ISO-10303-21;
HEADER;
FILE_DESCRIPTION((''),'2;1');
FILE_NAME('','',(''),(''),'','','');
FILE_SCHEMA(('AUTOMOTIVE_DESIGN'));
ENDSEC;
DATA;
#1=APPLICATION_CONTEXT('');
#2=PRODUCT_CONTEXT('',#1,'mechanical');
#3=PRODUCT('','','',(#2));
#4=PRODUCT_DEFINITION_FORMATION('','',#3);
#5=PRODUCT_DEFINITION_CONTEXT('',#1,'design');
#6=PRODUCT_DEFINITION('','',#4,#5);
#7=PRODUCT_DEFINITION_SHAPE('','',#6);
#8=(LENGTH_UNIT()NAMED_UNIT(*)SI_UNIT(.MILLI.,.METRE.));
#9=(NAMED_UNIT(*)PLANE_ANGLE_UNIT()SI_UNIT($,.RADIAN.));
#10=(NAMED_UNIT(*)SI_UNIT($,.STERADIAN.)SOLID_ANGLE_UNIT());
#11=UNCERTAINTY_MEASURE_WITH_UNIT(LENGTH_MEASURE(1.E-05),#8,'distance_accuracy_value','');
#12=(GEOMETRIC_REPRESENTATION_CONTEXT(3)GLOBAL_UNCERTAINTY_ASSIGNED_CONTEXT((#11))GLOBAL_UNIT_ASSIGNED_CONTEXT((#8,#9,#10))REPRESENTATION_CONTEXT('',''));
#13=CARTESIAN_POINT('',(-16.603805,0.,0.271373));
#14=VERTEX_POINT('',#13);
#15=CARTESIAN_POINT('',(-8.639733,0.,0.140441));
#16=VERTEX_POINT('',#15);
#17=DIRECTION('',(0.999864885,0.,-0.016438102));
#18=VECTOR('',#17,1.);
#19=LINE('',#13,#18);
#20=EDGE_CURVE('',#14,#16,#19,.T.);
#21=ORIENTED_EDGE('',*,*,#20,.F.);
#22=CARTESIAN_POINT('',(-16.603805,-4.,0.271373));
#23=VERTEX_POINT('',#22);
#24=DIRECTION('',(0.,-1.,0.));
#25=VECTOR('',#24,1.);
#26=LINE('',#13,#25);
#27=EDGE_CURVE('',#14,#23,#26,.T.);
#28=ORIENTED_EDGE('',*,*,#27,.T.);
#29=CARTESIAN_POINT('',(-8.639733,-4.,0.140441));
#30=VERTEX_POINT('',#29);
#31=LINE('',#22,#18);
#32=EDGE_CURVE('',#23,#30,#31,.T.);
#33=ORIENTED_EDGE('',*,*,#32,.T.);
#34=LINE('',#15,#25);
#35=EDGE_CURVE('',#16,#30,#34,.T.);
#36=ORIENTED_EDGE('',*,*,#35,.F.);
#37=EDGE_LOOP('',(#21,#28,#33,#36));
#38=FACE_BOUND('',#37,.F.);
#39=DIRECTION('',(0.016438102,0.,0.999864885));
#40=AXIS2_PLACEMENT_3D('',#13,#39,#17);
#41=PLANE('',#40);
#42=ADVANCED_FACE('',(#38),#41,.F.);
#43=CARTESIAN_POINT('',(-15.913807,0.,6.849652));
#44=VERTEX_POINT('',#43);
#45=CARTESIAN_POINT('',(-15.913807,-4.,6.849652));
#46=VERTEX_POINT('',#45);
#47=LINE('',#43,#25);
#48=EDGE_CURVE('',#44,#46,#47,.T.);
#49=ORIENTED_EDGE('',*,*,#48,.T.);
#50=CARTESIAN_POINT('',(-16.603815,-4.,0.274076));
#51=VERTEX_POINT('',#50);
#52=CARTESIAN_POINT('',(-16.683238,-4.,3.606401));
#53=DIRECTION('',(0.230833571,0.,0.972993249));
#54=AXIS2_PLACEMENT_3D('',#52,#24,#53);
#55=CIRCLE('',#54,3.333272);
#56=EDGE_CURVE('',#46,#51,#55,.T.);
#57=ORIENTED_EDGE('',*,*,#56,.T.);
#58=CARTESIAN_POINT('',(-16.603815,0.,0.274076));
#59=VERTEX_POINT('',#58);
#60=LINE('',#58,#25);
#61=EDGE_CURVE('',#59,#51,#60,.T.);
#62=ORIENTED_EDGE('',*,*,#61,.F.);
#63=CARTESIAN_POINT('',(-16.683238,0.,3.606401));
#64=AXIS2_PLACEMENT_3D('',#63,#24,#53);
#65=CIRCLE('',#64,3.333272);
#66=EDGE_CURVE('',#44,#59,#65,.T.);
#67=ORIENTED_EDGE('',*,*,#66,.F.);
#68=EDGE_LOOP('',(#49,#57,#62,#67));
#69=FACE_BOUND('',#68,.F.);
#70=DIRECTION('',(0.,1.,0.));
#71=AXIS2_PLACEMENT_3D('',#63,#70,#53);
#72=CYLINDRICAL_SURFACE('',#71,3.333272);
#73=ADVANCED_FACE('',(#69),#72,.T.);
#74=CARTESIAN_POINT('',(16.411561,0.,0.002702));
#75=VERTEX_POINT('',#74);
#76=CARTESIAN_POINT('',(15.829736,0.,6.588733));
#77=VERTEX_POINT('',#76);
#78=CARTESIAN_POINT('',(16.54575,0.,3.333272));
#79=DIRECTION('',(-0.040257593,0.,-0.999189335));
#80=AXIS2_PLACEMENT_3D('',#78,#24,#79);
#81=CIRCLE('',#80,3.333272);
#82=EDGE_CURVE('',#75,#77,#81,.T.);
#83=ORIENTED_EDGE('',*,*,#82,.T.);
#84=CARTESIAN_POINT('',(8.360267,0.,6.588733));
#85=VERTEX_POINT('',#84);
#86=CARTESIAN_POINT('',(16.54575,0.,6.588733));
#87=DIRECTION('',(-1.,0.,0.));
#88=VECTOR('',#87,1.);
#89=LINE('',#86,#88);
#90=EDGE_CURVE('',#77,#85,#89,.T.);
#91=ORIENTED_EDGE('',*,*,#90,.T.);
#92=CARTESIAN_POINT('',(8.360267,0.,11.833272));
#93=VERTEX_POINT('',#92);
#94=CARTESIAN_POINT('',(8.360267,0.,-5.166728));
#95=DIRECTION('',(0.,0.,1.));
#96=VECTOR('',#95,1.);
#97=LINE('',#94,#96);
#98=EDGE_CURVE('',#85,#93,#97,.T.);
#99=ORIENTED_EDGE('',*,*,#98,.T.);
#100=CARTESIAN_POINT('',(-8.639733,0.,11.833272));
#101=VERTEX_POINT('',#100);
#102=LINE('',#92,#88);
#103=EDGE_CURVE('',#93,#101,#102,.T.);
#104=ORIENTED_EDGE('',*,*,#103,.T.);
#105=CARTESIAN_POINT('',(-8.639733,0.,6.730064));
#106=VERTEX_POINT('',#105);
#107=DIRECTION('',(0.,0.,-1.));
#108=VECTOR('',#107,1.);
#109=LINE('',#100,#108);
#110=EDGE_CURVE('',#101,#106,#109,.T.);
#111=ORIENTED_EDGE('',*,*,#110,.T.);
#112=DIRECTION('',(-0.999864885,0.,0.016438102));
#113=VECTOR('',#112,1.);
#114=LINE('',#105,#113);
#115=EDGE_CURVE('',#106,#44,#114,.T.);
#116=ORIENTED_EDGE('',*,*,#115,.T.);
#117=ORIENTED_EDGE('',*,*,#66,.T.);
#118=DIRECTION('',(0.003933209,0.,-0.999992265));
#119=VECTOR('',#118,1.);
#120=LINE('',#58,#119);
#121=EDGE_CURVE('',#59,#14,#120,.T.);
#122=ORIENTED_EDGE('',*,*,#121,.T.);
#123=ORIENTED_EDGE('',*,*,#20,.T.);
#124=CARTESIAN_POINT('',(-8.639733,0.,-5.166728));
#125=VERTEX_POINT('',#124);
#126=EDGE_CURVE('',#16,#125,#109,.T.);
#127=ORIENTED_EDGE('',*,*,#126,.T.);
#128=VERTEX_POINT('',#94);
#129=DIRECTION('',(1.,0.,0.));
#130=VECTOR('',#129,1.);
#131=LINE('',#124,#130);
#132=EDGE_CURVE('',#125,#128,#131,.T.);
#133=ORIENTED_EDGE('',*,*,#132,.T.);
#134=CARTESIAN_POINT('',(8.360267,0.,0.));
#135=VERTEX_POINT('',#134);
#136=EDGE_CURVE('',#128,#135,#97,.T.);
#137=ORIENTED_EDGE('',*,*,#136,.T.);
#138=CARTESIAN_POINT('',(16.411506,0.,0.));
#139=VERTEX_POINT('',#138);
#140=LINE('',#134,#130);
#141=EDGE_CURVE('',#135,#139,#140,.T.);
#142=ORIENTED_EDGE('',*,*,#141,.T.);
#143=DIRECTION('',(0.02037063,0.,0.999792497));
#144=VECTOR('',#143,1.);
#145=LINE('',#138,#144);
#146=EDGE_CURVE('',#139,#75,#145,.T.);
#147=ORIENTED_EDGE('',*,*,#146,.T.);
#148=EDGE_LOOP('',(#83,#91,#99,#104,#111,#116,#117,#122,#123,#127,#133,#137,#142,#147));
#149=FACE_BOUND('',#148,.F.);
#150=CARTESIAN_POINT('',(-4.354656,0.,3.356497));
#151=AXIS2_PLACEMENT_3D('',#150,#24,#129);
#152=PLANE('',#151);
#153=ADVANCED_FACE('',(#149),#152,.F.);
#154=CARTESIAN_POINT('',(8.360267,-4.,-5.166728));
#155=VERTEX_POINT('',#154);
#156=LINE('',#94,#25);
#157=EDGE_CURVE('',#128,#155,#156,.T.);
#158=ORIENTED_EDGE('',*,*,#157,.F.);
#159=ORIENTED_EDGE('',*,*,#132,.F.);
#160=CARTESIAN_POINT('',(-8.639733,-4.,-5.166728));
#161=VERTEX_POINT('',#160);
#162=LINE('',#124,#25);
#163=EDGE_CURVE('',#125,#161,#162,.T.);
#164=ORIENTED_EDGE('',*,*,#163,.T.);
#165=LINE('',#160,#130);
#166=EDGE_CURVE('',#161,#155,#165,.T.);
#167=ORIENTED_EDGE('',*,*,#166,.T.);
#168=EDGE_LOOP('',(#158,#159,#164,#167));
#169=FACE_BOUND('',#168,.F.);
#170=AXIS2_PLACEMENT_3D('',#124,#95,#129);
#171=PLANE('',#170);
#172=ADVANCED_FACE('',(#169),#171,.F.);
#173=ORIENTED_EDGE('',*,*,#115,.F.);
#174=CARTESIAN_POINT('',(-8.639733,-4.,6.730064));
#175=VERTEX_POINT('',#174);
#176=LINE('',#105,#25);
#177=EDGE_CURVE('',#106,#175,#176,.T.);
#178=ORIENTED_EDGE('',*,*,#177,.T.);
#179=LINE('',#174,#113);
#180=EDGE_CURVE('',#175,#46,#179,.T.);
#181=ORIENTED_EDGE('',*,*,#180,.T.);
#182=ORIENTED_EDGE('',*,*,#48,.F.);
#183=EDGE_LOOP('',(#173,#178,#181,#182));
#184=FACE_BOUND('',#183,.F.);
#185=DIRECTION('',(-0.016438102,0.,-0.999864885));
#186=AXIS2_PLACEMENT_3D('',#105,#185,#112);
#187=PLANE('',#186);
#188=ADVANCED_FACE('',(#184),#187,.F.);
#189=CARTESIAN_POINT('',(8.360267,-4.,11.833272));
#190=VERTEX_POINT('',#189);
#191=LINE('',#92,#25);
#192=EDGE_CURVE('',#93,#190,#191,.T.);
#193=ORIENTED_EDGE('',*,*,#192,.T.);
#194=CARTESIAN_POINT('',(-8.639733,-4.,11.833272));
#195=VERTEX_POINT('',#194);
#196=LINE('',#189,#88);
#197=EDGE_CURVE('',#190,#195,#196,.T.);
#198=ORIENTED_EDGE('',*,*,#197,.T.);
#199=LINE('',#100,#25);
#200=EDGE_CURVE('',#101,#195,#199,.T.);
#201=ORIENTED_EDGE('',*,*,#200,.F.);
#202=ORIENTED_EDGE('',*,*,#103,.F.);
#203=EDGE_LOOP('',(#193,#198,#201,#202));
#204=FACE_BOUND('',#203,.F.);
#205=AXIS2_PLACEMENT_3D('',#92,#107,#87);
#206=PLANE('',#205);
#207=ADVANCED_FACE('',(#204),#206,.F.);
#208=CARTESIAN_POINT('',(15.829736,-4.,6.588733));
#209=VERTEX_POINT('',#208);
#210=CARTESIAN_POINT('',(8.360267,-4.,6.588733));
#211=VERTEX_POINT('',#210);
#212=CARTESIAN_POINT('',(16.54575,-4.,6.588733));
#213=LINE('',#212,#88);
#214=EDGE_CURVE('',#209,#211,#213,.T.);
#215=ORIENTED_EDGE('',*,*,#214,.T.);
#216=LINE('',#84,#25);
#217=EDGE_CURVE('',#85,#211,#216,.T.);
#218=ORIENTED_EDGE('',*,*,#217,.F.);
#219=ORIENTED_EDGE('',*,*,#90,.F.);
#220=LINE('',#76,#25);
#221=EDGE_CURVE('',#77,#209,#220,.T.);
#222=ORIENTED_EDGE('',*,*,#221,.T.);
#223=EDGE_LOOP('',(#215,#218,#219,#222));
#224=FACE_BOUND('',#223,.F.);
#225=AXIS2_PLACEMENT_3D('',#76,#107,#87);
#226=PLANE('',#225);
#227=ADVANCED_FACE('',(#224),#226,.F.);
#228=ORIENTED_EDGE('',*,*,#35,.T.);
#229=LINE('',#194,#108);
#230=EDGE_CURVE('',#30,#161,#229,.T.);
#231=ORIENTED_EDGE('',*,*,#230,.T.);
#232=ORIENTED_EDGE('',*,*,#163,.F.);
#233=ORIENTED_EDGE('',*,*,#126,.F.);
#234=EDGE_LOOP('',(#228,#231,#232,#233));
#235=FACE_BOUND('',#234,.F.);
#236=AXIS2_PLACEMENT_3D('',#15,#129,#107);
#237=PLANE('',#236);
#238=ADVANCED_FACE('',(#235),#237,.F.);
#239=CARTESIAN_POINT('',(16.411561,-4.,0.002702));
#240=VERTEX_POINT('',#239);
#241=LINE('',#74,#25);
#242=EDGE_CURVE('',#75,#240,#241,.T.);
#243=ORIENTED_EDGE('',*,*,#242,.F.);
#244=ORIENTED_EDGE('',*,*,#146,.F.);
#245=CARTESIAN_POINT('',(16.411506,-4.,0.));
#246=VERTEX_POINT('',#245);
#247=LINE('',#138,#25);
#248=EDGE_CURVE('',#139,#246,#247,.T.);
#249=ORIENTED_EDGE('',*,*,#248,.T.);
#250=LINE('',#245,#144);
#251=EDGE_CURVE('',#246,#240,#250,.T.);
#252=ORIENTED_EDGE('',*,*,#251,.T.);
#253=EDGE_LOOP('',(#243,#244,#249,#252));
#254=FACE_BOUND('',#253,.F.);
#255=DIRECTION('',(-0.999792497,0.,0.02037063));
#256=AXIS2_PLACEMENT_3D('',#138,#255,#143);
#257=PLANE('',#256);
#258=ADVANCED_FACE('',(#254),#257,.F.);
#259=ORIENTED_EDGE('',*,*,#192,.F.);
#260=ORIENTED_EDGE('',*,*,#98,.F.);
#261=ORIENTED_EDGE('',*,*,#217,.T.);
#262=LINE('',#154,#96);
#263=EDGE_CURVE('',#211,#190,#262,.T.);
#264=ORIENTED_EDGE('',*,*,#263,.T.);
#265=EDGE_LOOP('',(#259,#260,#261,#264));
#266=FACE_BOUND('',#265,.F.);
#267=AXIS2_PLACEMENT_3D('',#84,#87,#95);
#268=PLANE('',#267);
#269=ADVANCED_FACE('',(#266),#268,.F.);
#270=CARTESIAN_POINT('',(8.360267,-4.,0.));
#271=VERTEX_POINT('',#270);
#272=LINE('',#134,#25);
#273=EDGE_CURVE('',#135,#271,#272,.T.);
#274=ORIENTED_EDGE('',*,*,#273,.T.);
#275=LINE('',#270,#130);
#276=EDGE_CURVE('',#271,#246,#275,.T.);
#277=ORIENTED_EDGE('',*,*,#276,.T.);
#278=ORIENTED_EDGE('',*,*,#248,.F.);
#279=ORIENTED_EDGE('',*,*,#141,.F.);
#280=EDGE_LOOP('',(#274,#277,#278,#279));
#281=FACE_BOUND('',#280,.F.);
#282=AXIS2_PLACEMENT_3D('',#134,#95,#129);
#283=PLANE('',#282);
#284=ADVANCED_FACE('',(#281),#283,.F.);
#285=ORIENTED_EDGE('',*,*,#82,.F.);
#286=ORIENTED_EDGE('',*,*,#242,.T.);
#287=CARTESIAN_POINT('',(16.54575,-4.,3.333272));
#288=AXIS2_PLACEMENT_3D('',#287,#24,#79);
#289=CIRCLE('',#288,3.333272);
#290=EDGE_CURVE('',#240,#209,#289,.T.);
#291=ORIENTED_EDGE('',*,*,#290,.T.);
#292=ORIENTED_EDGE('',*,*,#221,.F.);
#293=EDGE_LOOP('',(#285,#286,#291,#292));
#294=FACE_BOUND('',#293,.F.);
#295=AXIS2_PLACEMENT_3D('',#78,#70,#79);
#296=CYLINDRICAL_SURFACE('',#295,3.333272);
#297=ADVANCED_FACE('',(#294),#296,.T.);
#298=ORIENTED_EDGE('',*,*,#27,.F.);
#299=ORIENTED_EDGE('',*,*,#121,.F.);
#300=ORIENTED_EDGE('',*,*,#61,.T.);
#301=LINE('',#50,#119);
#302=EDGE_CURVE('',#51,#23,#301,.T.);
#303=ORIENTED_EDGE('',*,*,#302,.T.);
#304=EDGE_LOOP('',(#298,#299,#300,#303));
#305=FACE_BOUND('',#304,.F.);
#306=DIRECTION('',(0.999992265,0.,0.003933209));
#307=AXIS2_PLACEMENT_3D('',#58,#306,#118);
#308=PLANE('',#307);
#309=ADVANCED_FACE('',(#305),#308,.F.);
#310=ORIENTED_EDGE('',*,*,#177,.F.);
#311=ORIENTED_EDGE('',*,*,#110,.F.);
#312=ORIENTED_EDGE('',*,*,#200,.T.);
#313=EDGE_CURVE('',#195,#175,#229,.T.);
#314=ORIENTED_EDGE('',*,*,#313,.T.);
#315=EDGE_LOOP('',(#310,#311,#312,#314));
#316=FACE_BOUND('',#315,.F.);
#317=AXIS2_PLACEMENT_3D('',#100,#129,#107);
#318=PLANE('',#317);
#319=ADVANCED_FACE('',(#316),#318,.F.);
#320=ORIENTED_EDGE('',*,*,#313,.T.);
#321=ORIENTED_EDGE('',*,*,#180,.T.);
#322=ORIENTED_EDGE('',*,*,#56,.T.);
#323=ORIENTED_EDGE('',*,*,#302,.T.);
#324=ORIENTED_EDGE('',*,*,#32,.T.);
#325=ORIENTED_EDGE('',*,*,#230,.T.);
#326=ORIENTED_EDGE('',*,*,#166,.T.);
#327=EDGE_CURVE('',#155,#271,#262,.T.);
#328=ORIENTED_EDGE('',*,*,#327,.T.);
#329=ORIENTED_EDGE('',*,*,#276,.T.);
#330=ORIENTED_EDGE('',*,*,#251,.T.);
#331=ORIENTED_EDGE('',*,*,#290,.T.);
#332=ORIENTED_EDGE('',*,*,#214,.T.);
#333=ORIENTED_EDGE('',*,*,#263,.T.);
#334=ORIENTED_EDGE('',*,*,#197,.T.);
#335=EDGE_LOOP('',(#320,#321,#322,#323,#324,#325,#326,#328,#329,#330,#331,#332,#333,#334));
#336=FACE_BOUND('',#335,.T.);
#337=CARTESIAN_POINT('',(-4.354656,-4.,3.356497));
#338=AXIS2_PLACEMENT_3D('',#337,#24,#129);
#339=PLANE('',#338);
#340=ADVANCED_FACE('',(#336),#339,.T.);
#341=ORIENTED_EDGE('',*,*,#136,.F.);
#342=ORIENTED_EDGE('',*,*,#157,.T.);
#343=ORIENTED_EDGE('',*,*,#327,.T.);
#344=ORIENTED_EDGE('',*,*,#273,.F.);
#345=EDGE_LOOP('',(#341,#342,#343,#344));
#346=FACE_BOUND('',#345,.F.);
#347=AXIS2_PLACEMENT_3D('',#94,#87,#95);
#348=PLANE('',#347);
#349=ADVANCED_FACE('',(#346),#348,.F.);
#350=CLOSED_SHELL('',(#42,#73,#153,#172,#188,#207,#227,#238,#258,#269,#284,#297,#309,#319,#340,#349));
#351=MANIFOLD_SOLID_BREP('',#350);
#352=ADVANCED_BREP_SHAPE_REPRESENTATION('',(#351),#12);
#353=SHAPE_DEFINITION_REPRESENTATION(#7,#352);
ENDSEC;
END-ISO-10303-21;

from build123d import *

# Parameters (mm, degrees)
F1_DEPTH = 4


with BuildPart() as f1:
    # F0 (on Front) → F1 (new body)
    with BuildSketch(Plane.XZ):
        Polygon((0, 11.8332719468), (-8.6397333108, 11.8332719468), (-8.6397333108, 6.7300641264), (-8.6397333108, 0.1404409475), (-8.6397333108, -5.1667280532), (-0.1397333108, -5.1667280532), align=None)
        Polygon((8.3602666892, 11.8332719468), (0, 11.8332719468), (-0.1397333108, -5.1667280532), (8.3602666892, -5.1667280532), (8.3602666892, 0), (8.3602666892, 6.5887328237), align=None)
        with BuildLine():
            Line((-8.6397333108, 0.1404409475), (-8.6397333108, 6.7300641264))
            Line((-8.6397333108, 6.7300641264), (-15.9138074311, 6.8496522601))
            ThreePointArc((-15.9138074311, 6.8496522601), (-14.0683365047, 5.6735222105), (-13.3499665501, 3.6064011588))
            ThreePointArc((-13.3499665501, 3.6064011588), (-14.2983442905, 1.2776715705), (-16.6038153702, 0.2740755688))
            Line((-16.6038153702, 0.2740755688), (-16.6038047398, 0.2713728604))
            Line((-16.6038047398, 0.2713728604), (-8.6397333108, 0.1404409475))
        make_face()
        with BuildLine():
            ThreePointArc((-13.3499665501, 3.6064011588), (-14.0683365047, 5.6735222105), (-15.9138074311, 6.8496522601))
            Line((-15.9138074311, 6.8496522601), (-16.6297248975, 6.8614221751))
            Line((-16.6297248975, 6.8614221751), (-16.6038153702, 0.2740755688))
            ThreePointArc((-16.6038153702, 0.2740755688), (-14.2983442905, 1.2776715705), (-13.3499665501, 3.6064011588))
        make_face()
        with BuildLine():
            Line((-16.6297248975, 6.8614221751), (-15.9138074311, 6.8496522601))
            ThreePointArc((-15.9138074311, 6.8496522601), (-19.9983087172, 3.954267951), (-16.6038153702, 0.2740755688))
            Line((-16.6038153702, 0.2740755688), (-16.6297248975, 6.8614221751))
        make_face()
        with BuildLine():
            Line((15.8297359903, 6.5887328237), (8.3602666892, 6.5887328237))
            Line((8.3602666892, 6.5887328237), (8.3602666892, 0))
            Line((8.3602666892, 0), (16.4115056396, 0))
            Line((16.4115056396, 0), (16.4115606959, 0.0027021685))
            ThreePointArc((16.4115606959, 0.0027021685), (13.2254096253, 3.0399456203), (15.8297359903, 6.5887328237))
        make_face()
        with BuildLine():
            Line((16.5457502007, 6.5887328237), (15.8297359903, 6.5887328237))
            ThreePointArc((15.8297359903, 6.5887328237), (13.2254096253, 3.0399456203), (16.4115606959, 0.0027021685))
            Line((16.4115606959, 0.0027021685), (16.5457502007, 6.5887328237))
        make_face()
        with BuildLine():
            ThreePointArc((19.8790221475, 3.3332719468), (18.634294166, 5.9310952618), (15.8297359903, 6.5887328237))
            Line((15.8297359903, 6.5887328237), (16.5457502007, 6.5887328237))
            Line((16.5457502007, 6.5887328237), (16.4115606959, 0.0027021685))
            ThreePointArc((16.4115606959, 0.0027021685), (18.8547988965, 0.929317706), (19.8790221475, 3.3332719468))
        make_face()
    extrude(amount=F1_DEPTH)


solid = f1.part
